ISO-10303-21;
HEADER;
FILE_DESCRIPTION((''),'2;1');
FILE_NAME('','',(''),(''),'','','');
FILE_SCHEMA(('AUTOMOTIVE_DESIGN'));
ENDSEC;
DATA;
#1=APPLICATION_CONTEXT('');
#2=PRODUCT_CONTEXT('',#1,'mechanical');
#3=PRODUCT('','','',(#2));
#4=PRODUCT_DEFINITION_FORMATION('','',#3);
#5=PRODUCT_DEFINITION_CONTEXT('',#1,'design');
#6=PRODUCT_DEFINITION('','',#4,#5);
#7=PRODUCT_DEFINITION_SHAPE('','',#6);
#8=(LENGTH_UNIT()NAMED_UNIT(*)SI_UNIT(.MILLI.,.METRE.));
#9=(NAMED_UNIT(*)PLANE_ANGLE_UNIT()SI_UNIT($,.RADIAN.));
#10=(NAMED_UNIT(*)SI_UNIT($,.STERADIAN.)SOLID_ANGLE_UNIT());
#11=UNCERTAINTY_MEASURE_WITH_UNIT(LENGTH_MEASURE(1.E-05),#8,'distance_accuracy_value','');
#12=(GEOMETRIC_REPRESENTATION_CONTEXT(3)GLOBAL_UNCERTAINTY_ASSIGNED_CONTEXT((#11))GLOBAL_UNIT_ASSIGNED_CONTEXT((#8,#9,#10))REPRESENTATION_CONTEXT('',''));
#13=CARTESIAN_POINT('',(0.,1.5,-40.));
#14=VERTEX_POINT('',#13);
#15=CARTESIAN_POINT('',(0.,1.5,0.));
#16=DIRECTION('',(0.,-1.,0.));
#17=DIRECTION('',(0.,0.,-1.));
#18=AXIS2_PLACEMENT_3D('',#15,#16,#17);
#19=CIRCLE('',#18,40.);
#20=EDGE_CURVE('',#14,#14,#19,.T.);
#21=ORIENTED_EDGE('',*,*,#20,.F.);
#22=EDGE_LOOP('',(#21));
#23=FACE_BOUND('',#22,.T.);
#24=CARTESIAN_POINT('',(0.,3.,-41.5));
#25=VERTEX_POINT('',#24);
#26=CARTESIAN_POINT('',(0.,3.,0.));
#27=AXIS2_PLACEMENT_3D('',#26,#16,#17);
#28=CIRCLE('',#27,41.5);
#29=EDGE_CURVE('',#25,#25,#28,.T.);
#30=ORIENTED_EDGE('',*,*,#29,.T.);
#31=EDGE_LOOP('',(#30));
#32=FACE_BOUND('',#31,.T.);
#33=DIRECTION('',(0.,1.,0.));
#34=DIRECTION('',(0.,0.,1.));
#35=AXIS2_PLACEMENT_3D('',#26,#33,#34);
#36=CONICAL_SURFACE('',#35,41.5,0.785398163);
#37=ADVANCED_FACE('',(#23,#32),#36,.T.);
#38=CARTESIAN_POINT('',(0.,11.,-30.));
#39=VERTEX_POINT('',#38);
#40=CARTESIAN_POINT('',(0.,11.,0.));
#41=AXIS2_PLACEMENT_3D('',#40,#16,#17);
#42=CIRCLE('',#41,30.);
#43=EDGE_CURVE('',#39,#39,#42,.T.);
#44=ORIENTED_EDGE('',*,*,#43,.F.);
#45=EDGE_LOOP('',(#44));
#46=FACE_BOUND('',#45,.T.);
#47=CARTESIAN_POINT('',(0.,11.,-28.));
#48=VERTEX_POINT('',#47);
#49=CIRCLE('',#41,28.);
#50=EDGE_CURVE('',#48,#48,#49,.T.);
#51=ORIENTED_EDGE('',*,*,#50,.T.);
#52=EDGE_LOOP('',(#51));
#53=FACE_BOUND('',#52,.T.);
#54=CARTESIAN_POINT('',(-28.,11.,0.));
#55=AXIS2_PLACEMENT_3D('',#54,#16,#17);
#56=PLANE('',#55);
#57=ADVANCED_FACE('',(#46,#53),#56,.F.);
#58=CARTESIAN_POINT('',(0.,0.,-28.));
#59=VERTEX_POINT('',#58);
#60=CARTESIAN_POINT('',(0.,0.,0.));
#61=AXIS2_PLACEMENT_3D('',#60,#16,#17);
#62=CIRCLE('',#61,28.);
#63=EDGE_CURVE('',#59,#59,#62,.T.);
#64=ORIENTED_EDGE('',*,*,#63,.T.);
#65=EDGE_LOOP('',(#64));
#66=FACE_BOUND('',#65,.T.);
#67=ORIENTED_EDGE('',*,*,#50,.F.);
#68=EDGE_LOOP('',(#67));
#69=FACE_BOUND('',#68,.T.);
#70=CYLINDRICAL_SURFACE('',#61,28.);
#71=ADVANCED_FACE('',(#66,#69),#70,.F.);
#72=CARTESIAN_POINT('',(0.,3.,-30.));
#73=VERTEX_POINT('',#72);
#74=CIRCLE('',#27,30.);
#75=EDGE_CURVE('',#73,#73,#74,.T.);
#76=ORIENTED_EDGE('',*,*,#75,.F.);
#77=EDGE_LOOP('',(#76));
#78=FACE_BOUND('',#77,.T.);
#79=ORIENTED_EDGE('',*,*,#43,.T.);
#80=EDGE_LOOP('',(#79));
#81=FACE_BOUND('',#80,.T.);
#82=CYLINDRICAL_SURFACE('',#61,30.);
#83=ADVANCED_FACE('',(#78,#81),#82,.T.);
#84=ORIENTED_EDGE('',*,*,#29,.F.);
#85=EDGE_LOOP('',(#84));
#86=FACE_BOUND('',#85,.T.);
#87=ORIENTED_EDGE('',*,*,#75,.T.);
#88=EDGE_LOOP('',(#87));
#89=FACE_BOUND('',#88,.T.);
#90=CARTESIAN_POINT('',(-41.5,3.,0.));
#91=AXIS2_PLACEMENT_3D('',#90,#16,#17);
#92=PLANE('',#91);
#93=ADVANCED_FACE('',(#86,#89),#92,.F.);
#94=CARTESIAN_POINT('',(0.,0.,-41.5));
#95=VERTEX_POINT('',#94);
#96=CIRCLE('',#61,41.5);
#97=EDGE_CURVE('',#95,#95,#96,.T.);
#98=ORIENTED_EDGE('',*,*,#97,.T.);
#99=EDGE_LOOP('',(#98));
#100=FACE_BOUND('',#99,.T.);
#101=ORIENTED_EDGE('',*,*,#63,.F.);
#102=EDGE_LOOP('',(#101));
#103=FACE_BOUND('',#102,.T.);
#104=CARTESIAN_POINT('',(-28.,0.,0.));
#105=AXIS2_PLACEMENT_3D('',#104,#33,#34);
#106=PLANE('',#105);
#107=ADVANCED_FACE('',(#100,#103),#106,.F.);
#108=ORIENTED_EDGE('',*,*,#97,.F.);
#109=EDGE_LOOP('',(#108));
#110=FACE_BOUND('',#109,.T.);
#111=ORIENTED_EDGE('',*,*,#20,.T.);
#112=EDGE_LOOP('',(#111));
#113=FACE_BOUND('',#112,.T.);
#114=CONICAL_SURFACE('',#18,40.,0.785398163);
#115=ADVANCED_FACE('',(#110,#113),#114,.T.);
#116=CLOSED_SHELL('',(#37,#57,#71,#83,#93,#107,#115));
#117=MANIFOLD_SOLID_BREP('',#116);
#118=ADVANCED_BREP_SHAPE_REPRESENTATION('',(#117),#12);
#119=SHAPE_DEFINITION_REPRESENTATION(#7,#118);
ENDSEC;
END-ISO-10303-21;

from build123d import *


with BuildPart() as part:
    # Sketch1 → Revolve1 (revolve)
    with BuildSketch(Plane.XY, mode=Mode.PRIVATE) as revolve1_sk:
        Polygon((-28, 11), (-28, 0), (-41.5, 0), (-40, 1.5), (-41.5, 3), (-30, 3), (-30, 11), align=None)
    revolve(revolve1_sk.sketch.rotate(Axis((0, 0, 0), (0, 1, 0)), 270), axis=Axis((0, 0, 0), (0, 1, 0)))


solid = part.part
